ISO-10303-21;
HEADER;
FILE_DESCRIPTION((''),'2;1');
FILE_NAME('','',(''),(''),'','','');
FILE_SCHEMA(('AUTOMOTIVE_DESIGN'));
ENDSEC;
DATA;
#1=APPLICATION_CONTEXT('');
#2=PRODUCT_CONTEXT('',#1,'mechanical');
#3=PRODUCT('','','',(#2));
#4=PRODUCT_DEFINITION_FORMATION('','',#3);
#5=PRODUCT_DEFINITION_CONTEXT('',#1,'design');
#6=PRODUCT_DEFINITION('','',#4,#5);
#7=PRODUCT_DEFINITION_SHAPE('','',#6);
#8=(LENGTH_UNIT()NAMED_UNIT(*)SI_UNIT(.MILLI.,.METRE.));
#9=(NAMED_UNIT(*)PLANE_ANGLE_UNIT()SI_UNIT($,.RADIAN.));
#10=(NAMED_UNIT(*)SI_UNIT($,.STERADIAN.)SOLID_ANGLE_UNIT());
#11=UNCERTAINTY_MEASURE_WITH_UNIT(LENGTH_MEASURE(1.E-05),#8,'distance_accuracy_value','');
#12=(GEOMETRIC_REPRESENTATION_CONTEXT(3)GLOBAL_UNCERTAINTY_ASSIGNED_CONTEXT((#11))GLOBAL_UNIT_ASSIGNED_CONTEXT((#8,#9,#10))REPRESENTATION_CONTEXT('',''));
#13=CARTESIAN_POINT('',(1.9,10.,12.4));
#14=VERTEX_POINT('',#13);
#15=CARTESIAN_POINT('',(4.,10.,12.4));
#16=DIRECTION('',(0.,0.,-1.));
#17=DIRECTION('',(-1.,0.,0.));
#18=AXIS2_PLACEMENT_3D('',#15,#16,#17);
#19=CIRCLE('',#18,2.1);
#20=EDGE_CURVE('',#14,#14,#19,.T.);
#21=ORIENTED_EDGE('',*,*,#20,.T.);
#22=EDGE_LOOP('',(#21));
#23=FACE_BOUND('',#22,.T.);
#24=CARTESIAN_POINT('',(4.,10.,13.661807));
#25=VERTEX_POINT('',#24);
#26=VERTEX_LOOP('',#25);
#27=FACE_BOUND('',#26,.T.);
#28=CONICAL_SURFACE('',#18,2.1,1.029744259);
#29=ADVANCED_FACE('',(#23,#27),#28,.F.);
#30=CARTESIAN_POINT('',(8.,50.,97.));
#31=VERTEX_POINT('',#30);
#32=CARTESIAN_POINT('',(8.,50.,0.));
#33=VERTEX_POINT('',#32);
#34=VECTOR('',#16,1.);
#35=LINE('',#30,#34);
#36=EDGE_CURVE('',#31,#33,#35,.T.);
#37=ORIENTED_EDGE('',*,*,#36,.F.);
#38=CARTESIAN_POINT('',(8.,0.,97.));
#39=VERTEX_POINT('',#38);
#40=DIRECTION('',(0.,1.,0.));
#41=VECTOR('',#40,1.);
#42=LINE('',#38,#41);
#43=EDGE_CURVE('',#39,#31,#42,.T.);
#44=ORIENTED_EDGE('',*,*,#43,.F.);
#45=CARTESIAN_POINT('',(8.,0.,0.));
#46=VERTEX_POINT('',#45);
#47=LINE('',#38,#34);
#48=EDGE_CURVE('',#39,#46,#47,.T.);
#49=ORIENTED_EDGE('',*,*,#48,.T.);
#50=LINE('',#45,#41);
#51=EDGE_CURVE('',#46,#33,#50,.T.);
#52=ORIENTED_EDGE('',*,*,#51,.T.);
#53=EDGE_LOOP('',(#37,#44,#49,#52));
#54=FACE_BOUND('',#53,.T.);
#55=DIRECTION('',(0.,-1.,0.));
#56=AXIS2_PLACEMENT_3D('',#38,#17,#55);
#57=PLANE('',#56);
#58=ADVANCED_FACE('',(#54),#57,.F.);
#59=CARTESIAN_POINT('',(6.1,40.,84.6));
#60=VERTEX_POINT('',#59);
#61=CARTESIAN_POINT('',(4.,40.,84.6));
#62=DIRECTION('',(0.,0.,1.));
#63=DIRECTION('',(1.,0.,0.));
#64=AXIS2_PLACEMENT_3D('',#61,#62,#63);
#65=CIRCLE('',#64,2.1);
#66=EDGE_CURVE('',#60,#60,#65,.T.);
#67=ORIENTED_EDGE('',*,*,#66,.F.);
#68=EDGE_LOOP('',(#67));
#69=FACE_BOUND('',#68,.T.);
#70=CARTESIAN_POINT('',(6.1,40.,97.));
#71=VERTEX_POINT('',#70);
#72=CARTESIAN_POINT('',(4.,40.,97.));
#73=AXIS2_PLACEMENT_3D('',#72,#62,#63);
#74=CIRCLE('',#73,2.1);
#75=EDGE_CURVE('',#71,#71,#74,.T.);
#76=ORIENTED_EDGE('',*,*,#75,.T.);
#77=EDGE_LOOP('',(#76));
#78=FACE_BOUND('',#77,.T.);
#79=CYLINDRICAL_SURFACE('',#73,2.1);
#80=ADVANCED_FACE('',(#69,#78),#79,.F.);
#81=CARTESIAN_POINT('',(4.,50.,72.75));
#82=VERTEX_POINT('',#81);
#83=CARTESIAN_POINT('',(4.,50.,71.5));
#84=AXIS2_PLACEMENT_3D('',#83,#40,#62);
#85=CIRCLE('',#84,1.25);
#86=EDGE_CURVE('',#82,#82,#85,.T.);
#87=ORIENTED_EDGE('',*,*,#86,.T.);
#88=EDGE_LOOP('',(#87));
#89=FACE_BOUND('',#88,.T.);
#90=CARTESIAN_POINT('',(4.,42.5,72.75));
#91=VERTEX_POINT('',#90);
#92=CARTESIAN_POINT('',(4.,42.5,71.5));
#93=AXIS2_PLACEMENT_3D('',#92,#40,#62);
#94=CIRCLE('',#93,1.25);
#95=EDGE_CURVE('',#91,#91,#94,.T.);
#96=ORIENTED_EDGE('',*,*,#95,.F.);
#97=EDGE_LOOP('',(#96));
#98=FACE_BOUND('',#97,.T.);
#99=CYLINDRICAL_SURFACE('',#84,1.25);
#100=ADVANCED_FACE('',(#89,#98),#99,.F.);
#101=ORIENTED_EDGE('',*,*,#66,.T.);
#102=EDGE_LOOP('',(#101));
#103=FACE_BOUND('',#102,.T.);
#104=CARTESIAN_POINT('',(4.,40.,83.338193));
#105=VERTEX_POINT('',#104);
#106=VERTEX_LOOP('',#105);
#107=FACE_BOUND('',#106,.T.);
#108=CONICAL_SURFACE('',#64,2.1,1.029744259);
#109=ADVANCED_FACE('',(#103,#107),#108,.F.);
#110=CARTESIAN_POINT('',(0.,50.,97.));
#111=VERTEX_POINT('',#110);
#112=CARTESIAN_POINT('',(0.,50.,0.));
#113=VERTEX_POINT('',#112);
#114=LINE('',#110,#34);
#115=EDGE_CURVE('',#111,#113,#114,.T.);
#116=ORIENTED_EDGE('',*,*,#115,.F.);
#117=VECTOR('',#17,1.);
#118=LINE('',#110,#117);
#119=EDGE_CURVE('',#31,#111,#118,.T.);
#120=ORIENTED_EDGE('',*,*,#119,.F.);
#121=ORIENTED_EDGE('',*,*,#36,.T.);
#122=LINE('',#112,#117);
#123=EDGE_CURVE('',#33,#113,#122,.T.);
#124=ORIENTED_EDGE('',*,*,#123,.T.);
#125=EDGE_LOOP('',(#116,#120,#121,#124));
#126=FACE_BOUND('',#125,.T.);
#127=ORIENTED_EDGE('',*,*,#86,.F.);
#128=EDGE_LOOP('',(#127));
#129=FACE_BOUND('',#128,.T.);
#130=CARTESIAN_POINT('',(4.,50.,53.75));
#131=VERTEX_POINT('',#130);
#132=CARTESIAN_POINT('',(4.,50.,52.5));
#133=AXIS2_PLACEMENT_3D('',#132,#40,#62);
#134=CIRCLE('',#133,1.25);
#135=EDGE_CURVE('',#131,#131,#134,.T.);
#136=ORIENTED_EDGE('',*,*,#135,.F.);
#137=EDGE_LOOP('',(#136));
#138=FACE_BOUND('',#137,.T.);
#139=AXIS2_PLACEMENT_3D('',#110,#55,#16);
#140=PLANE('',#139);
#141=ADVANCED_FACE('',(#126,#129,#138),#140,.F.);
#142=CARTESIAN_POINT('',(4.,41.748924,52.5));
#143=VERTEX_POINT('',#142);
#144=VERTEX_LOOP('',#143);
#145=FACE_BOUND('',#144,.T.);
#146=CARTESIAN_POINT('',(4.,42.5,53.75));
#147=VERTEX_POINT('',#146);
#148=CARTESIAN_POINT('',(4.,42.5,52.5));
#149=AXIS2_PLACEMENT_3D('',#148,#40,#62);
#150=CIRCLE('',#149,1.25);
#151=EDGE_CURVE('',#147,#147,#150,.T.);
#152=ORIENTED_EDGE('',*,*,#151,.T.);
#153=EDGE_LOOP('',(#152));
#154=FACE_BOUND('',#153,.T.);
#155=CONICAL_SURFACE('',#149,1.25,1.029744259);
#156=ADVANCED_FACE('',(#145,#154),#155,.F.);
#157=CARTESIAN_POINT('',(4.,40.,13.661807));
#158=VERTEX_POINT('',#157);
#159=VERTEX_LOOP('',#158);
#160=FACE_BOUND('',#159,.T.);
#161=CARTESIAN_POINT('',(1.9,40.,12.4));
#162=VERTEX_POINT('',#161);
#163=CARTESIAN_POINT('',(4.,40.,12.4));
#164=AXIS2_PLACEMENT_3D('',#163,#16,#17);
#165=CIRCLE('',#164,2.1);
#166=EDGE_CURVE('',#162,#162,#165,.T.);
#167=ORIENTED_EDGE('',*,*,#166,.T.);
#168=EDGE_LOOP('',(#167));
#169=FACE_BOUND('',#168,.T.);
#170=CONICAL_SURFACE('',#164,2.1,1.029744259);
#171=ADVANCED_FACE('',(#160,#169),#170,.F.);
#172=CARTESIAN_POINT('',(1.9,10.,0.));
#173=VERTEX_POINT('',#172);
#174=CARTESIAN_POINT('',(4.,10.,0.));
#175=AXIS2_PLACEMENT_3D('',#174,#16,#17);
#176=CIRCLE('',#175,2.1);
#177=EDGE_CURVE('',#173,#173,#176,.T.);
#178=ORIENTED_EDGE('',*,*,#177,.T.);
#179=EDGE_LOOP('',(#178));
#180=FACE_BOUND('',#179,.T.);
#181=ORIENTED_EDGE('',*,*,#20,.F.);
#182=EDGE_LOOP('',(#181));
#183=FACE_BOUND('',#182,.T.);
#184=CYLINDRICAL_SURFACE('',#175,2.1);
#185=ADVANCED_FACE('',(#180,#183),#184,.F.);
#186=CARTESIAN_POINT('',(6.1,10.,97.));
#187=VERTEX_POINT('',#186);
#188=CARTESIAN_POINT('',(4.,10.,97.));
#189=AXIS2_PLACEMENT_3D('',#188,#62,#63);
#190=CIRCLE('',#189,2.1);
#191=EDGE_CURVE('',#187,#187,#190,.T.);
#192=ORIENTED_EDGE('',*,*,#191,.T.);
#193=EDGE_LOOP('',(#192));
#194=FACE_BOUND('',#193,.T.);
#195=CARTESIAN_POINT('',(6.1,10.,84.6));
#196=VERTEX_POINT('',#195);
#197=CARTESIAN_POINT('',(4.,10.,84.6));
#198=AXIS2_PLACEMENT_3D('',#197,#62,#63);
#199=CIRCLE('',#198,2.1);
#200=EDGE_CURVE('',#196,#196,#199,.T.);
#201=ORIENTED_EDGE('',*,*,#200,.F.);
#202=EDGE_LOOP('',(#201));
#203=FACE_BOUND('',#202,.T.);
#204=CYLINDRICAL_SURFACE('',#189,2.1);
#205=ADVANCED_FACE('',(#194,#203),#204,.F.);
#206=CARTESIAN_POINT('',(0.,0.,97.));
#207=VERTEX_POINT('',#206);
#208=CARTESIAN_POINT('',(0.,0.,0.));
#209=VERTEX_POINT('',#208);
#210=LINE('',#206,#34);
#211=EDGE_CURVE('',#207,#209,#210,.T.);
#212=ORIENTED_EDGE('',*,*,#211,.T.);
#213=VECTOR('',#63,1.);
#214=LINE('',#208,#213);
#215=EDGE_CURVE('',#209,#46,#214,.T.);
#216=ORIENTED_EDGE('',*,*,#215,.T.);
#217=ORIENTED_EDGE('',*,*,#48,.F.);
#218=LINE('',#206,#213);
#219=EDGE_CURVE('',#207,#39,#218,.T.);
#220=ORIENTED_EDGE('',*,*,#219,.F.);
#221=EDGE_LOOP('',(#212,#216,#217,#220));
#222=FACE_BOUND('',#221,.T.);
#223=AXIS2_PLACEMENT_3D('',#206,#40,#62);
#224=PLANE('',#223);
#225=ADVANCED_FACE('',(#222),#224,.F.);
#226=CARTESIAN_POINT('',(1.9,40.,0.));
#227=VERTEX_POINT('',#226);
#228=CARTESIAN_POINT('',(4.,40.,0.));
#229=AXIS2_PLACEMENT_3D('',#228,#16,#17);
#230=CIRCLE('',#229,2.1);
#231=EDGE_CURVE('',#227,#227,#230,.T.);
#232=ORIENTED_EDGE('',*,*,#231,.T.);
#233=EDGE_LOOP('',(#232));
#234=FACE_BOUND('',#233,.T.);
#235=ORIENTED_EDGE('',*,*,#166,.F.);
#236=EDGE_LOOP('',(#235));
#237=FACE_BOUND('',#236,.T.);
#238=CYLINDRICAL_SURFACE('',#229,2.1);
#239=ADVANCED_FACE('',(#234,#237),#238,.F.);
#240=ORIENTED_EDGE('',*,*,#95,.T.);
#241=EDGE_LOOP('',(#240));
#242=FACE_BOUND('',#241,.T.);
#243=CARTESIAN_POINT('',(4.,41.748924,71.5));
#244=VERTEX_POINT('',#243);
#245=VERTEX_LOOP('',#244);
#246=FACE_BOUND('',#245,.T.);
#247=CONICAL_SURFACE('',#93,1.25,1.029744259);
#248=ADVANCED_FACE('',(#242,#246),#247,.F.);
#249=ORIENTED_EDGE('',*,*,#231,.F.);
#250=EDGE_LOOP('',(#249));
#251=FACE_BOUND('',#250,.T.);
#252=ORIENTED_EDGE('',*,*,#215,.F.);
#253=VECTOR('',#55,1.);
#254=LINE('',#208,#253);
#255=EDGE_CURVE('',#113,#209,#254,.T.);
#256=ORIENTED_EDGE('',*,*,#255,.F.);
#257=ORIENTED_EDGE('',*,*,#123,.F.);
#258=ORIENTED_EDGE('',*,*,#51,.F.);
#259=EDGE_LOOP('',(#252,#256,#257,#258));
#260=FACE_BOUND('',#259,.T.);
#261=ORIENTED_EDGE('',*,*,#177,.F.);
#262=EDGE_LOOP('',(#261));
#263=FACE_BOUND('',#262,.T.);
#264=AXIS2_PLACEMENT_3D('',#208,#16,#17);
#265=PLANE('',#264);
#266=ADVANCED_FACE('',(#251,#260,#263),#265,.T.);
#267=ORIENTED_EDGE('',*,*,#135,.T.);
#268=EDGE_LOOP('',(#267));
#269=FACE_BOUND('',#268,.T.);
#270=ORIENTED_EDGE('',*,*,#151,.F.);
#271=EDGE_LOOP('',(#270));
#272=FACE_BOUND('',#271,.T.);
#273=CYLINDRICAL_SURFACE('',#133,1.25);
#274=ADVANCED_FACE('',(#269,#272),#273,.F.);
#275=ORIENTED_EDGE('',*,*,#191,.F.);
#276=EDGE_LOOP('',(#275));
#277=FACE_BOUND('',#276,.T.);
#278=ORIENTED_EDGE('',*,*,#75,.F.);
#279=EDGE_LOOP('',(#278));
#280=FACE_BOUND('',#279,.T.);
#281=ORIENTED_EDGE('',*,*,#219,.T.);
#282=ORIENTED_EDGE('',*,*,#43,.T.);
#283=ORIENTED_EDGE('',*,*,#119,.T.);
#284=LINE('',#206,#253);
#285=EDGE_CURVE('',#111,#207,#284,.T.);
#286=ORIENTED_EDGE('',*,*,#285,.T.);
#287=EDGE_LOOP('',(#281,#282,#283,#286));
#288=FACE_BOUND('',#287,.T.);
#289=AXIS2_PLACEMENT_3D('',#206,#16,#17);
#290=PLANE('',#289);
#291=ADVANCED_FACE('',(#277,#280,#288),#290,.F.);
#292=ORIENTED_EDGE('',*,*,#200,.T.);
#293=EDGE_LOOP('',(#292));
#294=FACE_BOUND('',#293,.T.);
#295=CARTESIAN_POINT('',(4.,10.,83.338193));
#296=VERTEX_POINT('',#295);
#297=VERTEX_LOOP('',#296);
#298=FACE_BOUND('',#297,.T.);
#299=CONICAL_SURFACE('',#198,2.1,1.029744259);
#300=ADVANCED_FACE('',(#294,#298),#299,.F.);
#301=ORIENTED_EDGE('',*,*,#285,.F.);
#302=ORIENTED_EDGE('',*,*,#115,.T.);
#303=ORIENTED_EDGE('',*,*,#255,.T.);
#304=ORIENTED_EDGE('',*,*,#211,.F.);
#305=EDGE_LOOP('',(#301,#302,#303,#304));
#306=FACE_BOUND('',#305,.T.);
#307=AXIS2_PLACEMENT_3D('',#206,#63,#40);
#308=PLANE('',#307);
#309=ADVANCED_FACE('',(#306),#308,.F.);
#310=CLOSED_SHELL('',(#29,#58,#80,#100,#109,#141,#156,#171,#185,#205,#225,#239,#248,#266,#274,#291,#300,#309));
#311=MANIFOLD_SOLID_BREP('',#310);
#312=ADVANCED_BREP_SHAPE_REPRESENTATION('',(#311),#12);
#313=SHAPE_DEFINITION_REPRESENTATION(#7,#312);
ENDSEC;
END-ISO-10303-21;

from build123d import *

# Parameters (mm, degrees)
SKETCH_1_W                  = 8
SKETCH_1_H                  = 50
EXTRUDE_1_DEPTH             = 97
HOLE_WIZARD_M5_2_AT_2_COUNT = 2
HOLE_WIZARD_M5_2_AT_2_PITCH = 30
HOLE_WIZARD_M3_1_D          = 2.5
HOLE_WIZARD_M3_1_DEPTH      = 7.5
HOLE_WIZARD_M3_1_TIP        = 0.751075774


with BuildPart() as part:
    # 草图1 → 凸台-拉伸1 (new body)
    with BuildSketch(Plane.XY):
        with Locations((4, 25)):
            Rectangle(SKETCH_1_W, SKETCH_1_H)
    extrude(amount=EXTRUDE_1_DEPTH)

    # 草图6 → M5 螺纹孔2 (revolve, cut)
    with BuildSketch(Plane(origin=(4, 40, 0), x_dir=(0, 1, 0), z_dir=(1, 0, 0))):
        Polygon((0, 0), (0, 13.6618073), (2.1, 12.4), (2.1, 0), align=None)
    hole_wizard_m5_2 = revolve(axis=Axis((4, 40, -6.35), (0, 0, 1)), mode=Mode.SUBTRACT)

    # M5 螺纹孔2 at 2: M5 螺纹孔2 ×2
    with Locations(*[(0, -i * HOLE_WIZARD_M5_2_AT_2_PITCH, 0) for i in range(1, HOLE_WIZARD_M5_2_AT_2_COUNT)]):
        add(hole_wizard_m5_2, mode=Mode.SUBTRACT)

    # 镜向1: M5 螺纹孔2 across plane
    add(hole_wizard_m5_2.mirror(Plane(origin=(0, 0, 48.5), x_dir=(1, 0, 0), z_dir=(0, 0, -1))), mode=Mode.SUBTRACT)

    # 镜向1 copy 1 sketch → 镜向1 copy 1 (revolve, cut)
    with BuildSketch(Plane(origin=(4, 10, 97), x_dir=(0, 1, 0), z_dir=(1, 0, 0))):
        Polygon((0, 0), (0, -13.6618073), (2.1, -12.4), (2.1, 0), align=None)
    revolve(axis=Axis((4, 10, 103.35), (0, 0, 1)), mode=Mode.SUBTRACT)

    # M3 螺纹孔1
    with Locations(Plane(origin=(0, 50, 0), x_dir=(1, 0, 0), z_dir=(0, 1, 0))):
        with Locations((4, -71.5), (4, -52.5)):
            Hole(HOLE_WIZARD_M3_1_D / 2, depth=HOLE_WIZARD_M3_1_DEPTH)
            with Locations((0, 0, -(HOLE_WIZARD_M3_1_DEPTH + HOLE_WIZARD_M3_1_TIP / 2))):  # 118° drill point
                Cone(0, HOLE_WIZARD_M3_1_D / 2, HOLE_WIZARD_M3_1_TIP, mode=Mode.SUBTRACT)


solid = part.part
